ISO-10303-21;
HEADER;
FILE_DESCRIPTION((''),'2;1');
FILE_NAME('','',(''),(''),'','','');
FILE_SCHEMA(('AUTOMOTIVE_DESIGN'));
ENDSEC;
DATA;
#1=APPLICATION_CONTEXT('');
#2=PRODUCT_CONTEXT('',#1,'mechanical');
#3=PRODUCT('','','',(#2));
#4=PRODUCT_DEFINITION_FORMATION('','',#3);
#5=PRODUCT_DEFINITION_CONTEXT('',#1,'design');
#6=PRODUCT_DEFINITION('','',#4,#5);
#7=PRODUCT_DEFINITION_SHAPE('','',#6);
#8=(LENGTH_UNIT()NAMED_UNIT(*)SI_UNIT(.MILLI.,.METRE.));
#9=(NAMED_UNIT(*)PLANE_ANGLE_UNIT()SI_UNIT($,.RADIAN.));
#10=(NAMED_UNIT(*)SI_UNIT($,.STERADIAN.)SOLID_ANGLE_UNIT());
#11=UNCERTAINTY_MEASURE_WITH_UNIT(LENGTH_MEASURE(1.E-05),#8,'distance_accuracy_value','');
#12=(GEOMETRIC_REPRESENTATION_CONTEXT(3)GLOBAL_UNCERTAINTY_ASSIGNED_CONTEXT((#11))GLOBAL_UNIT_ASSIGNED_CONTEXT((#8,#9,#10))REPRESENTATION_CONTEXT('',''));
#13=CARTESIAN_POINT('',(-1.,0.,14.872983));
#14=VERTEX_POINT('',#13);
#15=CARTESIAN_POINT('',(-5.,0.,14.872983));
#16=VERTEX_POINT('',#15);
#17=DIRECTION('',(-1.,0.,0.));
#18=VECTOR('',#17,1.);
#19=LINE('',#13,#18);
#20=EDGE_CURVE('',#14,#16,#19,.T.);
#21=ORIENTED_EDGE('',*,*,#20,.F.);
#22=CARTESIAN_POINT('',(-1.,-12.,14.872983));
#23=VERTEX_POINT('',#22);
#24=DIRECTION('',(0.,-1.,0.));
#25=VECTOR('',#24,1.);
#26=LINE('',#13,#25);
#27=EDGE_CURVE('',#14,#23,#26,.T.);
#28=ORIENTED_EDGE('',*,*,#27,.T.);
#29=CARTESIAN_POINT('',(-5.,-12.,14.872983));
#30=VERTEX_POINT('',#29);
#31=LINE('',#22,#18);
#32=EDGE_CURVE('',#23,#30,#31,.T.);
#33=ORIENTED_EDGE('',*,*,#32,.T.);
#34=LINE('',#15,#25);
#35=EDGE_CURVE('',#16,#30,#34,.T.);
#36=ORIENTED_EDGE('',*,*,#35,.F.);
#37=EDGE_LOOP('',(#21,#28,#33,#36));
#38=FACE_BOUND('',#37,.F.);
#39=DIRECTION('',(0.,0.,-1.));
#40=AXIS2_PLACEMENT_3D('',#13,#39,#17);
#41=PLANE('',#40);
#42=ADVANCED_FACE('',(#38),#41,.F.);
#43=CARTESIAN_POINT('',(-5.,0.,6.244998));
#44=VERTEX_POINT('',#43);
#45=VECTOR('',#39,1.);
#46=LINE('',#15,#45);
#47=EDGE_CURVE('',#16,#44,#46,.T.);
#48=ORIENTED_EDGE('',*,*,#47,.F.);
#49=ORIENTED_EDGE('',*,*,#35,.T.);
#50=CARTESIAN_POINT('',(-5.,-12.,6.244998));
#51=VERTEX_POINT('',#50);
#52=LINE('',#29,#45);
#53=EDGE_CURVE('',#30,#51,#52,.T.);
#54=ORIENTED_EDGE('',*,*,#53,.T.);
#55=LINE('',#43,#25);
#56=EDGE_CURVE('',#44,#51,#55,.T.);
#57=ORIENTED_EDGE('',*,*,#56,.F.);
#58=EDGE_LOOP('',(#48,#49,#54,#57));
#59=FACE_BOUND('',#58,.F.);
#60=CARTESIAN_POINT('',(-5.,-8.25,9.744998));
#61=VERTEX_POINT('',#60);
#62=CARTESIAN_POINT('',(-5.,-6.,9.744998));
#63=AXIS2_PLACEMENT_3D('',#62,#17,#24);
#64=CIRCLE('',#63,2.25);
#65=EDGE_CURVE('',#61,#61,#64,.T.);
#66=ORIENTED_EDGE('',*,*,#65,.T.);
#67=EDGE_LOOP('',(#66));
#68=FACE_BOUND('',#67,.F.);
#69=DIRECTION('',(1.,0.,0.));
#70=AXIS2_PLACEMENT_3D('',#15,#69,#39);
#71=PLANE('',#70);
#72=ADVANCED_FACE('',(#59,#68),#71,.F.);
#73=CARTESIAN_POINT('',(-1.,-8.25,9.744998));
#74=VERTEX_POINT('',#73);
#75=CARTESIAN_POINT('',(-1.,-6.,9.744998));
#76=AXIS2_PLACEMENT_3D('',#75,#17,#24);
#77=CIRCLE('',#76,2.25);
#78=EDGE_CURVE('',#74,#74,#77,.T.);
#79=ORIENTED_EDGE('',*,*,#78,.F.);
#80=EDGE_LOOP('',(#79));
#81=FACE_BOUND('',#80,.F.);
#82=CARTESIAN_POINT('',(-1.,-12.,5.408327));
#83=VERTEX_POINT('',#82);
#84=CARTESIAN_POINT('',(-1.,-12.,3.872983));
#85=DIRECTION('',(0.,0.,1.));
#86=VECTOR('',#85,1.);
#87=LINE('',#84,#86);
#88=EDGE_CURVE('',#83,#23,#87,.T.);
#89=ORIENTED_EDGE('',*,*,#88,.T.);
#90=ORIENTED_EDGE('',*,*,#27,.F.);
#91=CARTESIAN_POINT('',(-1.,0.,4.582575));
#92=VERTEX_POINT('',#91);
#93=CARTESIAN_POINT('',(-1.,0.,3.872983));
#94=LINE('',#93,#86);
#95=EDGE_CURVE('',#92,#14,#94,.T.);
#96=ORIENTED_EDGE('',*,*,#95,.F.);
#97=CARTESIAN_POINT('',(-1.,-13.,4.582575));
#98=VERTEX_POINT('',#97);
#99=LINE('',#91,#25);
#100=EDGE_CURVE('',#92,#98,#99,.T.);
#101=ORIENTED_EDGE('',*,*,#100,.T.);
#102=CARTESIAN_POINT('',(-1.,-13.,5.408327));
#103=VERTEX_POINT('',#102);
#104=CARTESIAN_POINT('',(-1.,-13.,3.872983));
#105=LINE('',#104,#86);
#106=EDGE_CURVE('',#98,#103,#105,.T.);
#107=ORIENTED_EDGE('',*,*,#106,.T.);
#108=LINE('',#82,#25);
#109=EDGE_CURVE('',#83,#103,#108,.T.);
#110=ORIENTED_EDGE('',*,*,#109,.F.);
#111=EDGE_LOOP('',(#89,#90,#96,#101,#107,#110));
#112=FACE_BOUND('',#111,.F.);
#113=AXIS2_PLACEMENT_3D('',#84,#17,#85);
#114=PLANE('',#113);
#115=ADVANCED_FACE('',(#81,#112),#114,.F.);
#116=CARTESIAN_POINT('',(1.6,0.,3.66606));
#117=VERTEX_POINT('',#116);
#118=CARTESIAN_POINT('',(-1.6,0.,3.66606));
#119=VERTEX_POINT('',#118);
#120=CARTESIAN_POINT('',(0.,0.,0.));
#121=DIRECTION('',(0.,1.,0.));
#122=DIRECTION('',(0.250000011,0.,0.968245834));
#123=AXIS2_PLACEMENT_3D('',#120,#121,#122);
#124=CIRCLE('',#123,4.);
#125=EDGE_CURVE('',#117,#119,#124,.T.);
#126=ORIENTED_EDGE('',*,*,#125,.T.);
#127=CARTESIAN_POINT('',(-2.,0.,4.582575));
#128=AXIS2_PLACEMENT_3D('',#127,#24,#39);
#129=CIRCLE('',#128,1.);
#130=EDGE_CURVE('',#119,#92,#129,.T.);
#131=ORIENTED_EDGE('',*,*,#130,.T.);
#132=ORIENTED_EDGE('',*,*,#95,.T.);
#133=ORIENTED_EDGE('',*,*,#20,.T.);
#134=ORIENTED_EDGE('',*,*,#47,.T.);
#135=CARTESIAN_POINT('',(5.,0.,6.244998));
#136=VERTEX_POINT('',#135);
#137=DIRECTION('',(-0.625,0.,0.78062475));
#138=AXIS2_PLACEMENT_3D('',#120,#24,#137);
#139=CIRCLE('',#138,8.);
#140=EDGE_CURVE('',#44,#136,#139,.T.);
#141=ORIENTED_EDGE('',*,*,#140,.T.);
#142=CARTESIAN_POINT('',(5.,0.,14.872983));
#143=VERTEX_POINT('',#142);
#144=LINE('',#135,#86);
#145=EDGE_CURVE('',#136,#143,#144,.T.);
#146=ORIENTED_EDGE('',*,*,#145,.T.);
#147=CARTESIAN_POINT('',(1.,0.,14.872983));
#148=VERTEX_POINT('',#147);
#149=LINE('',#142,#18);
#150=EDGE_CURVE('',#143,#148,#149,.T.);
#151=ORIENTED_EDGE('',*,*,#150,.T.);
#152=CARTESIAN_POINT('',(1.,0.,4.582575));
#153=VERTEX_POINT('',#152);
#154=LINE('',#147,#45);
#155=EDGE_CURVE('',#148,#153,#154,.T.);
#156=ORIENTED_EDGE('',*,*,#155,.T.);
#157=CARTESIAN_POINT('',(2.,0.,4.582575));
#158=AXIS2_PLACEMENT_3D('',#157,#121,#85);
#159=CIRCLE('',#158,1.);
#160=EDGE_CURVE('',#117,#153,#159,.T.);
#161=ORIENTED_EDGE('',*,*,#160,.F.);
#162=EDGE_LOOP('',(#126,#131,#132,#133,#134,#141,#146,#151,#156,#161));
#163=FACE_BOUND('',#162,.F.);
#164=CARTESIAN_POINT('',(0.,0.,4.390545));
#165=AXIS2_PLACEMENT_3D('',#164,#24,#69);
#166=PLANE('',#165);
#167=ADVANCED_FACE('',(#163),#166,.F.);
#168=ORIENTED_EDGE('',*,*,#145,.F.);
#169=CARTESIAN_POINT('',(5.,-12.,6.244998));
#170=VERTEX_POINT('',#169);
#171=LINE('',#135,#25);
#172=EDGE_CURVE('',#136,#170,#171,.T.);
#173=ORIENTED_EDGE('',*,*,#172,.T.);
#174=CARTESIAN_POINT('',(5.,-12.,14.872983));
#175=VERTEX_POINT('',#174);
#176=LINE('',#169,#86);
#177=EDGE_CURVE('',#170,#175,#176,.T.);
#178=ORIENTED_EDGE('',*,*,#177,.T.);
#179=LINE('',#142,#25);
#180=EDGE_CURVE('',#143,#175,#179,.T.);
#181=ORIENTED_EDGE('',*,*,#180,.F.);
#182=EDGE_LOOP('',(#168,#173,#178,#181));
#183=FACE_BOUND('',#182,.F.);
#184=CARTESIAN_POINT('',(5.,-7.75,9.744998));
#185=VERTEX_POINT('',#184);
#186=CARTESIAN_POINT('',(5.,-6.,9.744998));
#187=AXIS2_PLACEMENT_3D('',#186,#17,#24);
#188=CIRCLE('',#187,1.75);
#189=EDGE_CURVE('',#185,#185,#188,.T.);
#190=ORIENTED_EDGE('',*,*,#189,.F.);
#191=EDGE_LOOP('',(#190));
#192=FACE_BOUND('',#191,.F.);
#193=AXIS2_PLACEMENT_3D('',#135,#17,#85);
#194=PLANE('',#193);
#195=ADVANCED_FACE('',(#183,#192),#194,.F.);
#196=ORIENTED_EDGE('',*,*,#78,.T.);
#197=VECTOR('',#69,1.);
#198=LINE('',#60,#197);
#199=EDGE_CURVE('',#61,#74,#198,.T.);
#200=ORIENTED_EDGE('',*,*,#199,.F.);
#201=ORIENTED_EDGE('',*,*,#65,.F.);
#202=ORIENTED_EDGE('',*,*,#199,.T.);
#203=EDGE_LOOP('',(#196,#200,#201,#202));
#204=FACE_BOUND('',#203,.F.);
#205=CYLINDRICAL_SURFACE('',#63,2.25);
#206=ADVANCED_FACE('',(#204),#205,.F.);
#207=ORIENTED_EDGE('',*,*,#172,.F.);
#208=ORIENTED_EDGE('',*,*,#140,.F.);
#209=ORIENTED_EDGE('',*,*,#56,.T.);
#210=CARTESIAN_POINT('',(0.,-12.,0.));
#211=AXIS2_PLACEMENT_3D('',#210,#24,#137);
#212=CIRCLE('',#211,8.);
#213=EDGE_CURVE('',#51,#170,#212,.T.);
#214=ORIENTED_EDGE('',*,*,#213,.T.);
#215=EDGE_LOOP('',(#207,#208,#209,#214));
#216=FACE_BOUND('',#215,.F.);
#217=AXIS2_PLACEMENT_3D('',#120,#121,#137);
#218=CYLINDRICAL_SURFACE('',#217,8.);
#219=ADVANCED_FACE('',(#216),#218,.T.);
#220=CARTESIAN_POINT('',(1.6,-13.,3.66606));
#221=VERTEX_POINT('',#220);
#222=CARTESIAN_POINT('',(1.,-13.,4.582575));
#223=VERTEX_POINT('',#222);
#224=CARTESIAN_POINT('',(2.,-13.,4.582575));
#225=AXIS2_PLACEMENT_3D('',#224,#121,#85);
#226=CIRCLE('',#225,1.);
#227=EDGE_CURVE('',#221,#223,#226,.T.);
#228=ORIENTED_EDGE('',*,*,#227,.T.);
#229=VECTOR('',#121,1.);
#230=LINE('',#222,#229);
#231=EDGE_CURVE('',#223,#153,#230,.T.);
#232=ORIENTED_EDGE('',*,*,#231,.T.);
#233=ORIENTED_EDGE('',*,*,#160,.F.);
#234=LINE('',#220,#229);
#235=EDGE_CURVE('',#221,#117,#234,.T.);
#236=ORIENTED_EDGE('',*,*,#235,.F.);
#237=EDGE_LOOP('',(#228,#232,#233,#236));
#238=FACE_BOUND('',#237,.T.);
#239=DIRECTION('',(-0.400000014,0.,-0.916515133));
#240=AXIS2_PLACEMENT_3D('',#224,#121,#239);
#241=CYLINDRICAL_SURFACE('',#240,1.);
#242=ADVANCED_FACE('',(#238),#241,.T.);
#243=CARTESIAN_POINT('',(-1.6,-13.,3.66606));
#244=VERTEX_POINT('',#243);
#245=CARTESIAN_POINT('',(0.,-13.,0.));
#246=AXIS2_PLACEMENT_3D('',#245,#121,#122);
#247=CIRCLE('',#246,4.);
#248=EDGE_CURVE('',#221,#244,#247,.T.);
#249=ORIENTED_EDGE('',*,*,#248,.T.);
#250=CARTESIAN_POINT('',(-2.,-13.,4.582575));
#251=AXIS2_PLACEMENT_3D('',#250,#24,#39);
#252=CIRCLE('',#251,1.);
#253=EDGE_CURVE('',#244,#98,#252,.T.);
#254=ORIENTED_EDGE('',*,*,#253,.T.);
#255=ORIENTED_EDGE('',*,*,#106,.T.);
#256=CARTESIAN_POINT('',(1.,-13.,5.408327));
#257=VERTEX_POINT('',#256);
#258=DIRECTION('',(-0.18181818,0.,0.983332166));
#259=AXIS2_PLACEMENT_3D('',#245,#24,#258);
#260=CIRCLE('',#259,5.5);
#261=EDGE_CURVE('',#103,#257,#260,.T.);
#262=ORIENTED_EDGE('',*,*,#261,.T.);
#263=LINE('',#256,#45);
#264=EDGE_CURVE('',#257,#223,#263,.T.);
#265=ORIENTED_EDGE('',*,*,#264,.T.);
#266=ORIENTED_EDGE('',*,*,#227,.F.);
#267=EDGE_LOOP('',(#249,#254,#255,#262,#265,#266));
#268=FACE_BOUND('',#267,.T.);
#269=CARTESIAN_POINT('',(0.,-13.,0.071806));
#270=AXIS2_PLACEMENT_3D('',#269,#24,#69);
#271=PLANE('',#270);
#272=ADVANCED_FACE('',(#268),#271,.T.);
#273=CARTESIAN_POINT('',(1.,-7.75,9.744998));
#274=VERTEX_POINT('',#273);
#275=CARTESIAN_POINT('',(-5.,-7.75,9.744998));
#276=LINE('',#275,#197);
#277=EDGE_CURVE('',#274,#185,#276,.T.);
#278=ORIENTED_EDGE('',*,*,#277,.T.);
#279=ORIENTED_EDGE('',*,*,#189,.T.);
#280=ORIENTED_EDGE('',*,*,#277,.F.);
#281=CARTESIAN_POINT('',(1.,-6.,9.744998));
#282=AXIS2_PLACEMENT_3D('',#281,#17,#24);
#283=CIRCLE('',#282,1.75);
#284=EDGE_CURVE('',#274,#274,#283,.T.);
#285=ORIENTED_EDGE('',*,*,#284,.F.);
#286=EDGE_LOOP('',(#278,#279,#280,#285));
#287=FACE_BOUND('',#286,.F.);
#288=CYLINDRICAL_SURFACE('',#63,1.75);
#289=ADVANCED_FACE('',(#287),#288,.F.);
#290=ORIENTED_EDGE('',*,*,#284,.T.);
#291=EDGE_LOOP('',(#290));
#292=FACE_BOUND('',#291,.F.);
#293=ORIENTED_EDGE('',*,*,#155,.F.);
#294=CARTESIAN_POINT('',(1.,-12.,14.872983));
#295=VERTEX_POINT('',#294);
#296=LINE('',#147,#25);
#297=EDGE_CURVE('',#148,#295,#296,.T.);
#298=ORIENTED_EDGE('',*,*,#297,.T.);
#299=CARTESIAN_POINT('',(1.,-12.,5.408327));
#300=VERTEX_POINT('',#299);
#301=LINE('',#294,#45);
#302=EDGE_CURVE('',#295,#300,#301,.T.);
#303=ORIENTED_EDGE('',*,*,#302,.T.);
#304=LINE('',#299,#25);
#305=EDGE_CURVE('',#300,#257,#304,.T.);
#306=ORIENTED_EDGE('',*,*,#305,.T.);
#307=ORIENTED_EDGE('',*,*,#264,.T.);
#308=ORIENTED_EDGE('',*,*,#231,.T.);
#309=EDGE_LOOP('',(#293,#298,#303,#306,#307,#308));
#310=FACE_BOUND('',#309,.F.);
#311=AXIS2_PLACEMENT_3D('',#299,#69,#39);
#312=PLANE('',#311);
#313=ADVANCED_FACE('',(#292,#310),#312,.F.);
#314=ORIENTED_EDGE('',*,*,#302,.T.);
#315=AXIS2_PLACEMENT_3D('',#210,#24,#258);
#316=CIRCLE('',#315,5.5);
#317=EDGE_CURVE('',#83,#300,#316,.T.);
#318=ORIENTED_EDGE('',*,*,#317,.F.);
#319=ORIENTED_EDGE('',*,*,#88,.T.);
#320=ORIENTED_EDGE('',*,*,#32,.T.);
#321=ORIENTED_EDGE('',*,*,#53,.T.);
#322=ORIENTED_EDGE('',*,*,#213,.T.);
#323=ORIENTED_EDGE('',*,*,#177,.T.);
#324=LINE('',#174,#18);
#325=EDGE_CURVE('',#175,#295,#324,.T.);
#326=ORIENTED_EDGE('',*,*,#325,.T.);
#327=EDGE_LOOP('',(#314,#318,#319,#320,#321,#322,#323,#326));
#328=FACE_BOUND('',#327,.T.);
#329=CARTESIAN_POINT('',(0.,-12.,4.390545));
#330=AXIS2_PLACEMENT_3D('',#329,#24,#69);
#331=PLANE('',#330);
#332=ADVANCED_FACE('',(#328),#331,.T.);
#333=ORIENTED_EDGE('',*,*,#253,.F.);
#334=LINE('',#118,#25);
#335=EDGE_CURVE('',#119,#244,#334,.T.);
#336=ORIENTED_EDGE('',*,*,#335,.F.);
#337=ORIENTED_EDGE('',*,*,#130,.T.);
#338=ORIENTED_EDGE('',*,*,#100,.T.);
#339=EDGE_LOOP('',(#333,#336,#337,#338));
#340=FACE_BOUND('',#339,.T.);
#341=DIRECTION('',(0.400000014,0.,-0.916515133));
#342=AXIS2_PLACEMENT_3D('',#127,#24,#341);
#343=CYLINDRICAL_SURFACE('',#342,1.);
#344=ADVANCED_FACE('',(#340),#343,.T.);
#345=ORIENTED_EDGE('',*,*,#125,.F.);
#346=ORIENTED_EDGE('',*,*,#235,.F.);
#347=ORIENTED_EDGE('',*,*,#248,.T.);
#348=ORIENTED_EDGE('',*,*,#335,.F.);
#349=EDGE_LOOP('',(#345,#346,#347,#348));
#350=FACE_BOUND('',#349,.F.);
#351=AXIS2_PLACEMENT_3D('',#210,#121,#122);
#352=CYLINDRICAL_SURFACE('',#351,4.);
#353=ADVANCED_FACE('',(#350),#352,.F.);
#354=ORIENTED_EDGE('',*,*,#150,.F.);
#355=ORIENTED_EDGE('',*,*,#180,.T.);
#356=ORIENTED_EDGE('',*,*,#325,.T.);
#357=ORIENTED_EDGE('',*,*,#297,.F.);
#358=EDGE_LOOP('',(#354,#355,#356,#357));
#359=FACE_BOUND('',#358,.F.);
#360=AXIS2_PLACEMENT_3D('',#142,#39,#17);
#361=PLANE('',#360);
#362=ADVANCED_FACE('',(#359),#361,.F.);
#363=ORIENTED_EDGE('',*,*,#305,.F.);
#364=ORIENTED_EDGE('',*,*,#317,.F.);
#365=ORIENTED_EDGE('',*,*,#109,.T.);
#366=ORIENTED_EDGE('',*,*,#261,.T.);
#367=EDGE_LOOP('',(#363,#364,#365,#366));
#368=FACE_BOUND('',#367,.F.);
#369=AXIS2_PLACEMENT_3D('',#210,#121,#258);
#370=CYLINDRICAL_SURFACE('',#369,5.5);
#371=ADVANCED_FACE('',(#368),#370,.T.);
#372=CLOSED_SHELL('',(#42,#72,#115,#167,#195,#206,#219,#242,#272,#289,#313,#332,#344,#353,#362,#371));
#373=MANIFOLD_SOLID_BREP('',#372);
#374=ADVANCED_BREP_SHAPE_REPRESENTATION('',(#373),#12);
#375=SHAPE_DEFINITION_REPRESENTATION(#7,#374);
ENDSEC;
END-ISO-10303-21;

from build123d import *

# Parameters (mm, degrees)
F1_DEPTH = 12
F3_DEPTH = 1
F4_R     = 1
F5_R     = 1.75
F6_DEPTH = 11.8
F7_R     = 2.25
F8_DEPTH = 4.8


with BuildPart() as f1:
    # F0 (on Front) → F1 (new body)
    with BuildSketch(Plane.XZ):
        with BuildLine():
            ThreePointArc((1, 3.872983), (0, -4), (-1, 3.872983))
            Line((-1, 3.872983), (-1, 14.872983))
            Line((-1, 14.872983), (-5, 14.872983))
            Line((-5, 14.872983), (-5, 6.244998))
            ThreePointArc((-5, 6.244998), (0, -8), (5, 6.244998))
            Line((5, 6.244998), (5, 14.872983))
            Line((5, 14.872983), (1, 14.872983))
            Line((1, 14.872983), (1, 3.872983))
        make_face()
    extrude(amount=F1_DEPTH)

    # F2 (on face) → F3 (join)
    with BuildSketch(Plane.XZ.offset(12)):
        with BuildLine():
            ThreePointArc((1, 3.872983), (0, -4), (-1, 3.872983))
            Line((-1, 3.872983), (-1, 5.408327))
            ThreePointArc((-1, 5.408327), (0, -5.5), (1, 5.408327))
            Line((1, 5.408327), (1, 3.872983))
        make_face()
    extrude(amount=F3_DEPTH)

    # F4
    f4_edges = [f1.edges().sort_by_distance(p)[0] for p in [
        (-1, -6.5, 3.872983),
        (1, -6.5, 3.872983),
    ]]
    fillet(f4_edges, radius=F4_R)

    # F5 (on face) → F6 (cut)
    with BuildSketch(Plane(origin=(-5, 0, 0), x_dir=(0, -1, 0), z_dir=(-1, 0, 0))):
        with Locations((6, 9.744998)):
            Circle(F5_R)
    extrude(amount=-F6_DEPTH, mode=Mode.SUBTRACT)

    # F7 (on face) → F8 (cut)
    with BuildSketch(Plane(origin=(-5, 0, 0), x_dir=(0, -1, 0), z_dir=(-1, 0, 0))):
        with Locations((6, 9.744998)):
            Circle(F7_R)
    extrude(amount=-F8_DEPTH, mode=Mode.SUBTRACT)


solid = f1.part
